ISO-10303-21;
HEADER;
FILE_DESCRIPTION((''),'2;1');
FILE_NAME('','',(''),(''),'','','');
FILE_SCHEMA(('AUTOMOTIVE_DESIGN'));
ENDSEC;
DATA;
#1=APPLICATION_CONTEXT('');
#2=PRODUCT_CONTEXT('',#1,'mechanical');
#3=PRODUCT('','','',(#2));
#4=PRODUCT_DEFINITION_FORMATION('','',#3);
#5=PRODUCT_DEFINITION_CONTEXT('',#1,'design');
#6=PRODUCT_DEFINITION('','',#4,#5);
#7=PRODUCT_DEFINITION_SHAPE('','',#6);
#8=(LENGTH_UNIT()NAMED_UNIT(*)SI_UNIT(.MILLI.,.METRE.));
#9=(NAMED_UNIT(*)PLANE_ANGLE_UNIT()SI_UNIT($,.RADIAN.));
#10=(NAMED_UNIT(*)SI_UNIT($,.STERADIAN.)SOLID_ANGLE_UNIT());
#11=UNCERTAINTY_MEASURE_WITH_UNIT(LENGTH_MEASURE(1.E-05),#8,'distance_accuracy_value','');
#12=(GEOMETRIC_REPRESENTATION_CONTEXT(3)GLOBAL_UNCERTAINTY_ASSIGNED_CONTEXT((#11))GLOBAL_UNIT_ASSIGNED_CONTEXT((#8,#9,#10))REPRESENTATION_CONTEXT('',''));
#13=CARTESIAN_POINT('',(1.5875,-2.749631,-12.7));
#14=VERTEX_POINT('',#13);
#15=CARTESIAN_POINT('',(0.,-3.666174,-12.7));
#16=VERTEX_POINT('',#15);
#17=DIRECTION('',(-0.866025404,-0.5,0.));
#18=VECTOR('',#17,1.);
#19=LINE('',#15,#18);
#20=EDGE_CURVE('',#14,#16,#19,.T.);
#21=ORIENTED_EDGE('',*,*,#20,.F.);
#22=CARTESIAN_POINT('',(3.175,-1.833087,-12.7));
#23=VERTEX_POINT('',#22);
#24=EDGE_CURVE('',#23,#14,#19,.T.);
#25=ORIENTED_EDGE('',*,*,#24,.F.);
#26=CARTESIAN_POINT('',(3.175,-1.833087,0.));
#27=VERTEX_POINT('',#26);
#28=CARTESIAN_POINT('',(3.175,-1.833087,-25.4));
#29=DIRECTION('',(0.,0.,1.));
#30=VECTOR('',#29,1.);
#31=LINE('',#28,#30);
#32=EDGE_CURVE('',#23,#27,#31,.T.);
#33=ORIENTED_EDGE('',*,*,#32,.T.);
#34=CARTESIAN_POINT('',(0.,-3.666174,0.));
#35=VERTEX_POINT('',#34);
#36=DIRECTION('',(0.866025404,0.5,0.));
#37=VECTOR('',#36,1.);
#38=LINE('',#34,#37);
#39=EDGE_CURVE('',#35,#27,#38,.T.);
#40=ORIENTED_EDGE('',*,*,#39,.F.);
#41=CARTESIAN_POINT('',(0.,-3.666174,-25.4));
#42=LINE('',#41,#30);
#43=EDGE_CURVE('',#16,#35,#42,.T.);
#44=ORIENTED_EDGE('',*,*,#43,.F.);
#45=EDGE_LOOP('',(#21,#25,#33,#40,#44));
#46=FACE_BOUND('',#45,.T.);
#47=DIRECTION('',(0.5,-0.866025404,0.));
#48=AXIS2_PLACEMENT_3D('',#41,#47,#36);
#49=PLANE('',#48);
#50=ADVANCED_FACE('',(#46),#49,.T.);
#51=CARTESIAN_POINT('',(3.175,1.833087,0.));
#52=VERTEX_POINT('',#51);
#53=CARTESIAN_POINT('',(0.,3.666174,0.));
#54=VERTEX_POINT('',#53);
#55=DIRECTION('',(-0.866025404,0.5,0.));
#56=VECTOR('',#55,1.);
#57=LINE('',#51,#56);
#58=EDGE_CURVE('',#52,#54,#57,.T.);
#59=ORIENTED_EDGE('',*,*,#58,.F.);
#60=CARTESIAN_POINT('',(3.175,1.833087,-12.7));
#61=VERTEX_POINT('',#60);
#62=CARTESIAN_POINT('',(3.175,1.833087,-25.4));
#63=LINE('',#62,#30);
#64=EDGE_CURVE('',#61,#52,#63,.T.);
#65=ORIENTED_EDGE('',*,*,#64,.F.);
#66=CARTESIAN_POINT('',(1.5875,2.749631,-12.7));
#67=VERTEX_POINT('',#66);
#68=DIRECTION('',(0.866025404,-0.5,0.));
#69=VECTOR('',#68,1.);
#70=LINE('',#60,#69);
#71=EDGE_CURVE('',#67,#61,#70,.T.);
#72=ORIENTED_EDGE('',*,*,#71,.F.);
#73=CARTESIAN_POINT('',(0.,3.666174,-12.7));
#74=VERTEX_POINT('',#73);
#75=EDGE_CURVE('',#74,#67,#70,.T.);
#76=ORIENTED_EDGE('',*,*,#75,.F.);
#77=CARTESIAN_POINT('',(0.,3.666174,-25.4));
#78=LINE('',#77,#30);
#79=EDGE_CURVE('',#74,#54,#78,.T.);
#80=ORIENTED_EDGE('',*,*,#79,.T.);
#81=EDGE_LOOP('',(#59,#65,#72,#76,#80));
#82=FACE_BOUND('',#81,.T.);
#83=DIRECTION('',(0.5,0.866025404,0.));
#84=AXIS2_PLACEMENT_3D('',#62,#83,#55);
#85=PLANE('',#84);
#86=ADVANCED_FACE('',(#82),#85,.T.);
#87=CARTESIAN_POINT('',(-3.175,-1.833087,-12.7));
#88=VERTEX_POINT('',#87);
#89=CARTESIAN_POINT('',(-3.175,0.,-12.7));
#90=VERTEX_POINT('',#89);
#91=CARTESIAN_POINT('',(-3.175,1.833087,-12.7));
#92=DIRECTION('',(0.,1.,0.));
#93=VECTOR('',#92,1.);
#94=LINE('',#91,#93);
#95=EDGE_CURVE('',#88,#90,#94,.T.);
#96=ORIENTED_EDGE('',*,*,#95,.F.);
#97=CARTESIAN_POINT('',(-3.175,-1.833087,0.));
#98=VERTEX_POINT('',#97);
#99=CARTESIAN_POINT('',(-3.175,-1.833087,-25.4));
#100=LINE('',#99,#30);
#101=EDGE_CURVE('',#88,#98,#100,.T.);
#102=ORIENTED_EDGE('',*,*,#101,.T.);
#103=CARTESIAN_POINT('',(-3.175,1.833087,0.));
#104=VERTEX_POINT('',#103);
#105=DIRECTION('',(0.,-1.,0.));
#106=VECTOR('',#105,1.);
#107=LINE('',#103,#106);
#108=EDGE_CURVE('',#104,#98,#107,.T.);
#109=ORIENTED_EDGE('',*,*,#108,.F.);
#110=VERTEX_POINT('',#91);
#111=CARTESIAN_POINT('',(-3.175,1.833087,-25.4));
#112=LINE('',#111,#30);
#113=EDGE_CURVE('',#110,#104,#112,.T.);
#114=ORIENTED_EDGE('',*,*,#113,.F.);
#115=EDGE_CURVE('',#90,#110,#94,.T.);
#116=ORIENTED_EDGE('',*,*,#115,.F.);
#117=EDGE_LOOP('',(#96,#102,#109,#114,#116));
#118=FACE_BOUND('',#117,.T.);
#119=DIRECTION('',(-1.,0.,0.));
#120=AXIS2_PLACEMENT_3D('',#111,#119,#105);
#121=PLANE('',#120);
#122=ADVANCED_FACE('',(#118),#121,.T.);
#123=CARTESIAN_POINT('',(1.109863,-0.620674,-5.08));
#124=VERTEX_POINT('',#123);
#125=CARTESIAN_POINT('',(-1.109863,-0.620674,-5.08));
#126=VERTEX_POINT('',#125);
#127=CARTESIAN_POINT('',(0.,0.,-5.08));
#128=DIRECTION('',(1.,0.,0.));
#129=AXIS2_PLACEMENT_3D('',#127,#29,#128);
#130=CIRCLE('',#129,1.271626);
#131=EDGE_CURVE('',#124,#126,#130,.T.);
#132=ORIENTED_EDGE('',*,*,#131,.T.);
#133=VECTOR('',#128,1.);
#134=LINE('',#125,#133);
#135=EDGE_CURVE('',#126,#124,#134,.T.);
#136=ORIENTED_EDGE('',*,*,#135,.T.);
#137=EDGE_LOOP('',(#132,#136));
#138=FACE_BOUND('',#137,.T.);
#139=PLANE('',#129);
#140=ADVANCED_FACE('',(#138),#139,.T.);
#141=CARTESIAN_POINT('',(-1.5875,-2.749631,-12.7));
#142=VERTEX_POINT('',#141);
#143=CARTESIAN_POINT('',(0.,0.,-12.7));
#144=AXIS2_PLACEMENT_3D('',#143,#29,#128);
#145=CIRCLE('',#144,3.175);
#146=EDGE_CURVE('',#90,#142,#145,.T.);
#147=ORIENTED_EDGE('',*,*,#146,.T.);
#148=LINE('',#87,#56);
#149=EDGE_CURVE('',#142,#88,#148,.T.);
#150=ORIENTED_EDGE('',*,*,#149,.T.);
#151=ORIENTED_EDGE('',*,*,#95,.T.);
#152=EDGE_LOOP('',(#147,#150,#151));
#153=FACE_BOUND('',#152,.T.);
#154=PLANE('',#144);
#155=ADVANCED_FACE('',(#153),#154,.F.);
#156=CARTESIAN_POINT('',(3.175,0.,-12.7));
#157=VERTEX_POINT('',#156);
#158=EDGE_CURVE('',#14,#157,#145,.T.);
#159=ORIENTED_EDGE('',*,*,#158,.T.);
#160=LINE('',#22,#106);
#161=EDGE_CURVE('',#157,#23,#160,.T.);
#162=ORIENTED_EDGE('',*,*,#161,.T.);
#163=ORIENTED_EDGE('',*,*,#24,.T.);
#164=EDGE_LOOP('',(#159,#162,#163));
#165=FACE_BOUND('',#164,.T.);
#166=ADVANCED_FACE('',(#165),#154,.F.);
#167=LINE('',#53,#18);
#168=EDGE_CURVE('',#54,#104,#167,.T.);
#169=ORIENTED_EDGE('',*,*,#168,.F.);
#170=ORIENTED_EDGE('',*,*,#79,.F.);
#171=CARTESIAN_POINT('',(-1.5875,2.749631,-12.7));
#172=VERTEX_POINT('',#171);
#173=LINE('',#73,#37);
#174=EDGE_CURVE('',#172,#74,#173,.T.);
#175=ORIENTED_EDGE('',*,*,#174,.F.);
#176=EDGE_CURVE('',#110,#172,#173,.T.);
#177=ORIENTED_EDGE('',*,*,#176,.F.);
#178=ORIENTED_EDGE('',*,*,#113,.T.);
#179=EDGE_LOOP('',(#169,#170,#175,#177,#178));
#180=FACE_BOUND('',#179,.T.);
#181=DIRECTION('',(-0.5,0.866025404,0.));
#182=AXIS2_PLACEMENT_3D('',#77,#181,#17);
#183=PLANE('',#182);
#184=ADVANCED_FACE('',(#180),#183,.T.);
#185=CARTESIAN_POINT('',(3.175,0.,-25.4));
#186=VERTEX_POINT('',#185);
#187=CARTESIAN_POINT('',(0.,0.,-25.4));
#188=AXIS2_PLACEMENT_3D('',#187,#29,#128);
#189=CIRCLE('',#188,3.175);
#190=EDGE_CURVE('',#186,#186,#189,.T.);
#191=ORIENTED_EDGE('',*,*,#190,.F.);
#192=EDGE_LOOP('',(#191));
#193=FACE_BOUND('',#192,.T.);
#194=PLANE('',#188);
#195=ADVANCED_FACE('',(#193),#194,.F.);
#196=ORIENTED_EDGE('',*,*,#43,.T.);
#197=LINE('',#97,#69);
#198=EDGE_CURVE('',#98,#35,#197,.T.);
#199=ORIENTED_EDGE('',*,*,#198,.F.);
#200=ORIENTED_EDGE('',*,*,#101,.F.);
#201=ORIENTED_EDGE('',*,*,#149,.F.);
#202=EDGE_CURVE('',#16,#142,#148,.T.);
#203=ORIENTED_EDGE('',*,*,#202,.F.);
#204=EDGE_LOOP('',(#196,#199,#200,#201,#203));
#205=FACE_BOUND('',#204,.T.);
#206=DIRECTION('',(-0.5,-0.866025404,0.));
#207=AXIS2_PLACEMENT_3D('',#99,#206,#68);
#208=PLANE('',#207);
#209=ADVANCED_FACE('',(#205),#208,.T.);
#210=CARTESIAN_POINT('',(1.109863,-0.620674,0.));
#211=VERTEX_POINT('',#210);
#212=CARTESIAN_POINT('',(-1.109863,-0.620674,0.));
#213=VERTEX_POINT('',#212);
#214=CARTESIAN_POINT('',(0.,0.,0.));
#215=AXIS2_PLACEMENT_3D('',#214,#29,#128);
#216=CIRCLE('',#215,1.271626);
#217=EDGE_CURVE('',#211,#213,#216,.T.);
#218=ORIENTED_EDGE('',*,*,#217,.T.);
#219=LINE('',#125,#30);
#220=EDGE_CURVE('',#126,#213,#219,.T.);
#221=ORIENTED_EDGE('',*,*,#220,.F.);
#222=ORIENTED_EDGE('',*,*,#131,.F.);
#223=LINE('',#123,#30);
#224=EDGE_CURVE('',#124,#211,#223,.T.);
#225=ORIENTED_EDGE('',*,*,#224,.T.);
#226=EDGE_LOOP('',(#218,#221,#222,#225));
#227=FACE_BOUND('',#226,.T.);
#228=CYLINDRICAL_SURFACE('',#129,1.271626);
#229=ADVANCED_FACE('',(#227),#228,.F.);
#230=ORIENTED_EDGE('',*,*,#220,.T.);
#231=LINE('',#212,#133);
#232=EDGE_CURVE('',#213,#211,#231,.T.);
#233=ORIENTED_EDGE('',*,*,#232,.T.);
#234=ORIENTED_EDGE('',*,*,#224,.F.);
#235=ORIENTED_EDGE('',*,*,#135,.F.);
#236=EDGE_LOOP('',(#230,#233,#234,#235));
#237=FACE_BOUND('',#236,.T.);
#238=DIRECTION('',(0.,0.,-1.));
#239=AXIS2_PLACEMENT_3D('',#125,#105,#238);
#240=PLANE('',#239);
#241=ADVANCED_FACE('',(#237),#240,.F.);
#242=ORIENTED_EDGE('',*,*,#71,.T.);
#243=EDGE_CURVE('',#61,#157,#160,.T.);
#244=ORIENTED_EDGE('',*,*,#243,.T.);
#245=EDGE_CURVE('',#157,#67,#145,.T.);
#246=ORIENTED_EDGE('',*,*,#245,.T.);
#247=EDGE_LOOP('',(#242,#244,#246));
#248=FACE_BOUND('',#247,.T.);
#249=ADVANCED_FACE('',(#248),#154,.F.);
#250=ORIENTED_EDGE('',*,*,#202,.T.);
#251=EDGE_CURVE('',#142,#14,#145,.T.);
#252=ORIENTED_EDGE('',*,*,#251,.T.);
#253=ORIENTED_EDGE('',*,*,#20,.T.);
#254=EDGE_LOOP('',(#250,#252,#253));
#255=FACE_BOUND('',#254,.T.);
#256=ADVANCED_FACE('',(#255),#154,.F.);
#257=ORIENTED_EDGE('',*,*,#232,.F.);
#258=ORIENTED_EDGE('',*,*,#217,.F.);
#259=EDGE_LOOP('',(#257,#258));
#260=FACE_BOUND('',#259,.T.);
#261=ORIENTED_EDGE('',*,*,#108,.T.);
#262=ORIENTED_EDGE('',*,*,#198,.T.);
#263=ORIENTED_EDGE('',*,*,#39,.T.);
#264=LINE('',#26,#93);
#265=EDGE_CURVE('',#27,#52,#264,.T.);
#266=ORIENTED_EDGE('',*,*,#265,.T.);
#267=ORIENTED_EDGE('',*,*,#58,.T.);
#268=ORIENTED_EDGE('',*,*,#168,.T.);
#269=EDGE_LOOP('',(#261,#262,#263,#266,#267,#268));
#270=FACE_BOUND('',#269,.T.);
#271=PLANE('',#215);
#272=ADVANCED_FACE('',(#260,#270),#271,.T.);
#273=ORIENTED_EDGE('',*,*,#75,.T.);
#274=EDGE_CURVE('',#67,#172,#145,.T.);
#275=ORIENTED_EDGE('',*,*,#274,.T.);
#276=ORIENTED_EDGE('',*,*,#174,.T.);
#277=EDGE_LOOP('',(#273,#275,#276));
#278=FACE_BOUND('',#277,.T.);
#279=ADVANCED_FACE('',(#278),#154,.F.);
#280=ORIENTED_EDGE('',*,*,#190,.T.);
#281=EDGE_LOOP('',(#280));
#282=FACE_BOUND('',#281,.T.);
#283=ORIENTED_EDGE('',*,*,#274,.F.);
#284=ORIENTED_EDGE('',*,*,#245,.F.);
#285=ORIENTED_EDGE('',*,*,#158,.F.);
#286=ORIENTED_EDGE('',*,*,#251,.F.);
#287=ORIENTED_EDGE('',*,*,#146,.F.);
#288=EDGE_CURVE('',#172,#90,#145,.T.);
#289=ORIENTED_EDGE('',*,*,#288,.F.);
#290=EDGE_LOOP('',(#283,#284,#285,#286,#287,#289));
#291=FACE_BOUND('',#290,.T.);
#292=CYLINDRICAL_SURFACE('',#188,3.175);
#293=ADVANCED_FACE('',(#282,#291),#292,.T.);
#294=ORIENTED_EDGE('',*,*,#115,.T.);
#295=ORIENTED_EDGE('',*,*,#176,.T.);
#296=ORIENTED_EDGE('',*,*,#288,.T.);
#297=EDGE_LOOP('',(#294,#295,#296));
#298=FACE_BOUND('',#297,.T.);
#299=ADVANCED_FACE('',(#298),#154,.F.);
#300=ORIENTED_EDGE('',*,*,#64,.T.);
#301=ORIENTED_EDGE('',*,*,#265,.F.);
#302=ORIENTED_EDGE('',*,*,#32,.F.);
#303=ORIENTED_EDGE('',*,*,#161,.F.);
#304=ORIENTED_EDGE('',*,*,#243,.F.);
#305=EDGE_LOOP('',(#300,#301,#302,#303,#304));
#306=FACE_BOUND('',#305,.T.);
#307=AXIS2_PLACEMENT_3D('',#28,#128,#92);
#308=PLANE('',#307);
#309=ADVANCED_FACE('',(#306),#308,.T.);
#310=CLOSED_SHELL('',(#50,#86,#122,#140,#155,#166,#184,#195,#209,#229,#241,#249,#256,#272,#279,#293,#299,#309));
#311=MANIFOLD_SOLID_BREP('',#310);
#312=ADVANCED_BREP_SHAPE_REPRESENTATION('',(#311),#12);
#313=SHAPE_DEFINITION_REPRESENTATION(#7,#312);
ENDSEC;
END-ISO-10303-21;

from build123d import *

# Parameters (mm, degrees)
BOSS_EXTRUDE1_DEPTH = 25.4
CUT_EXTRUDE1_DEPTH  = 5.08
SKETCH3_OUTSIDE_W   = 13.788
SKETCH3_OUTSIDE_H   = 14.77
SKETCH3_OUTSIDE_R   = 3.175
CUT_EXTRUDE2_DEPTH  = 13.7


with BuildPart() as part:
    # Sketch1 → Boss-Extrude1 (new body)
    with BuildSketch(Plane.XY):
        Polygon((0, 3.666174209), (-3.175, 1.833087105), (-3.175, -1.833087105), (0, -3.666174209), (3.175, -1.833087105), (3.175, 1.833087105), align=None)
    extrude(amount=-BOSS_EXTRUDE1_DEPTH)

    # Sketch2 → Cut-Extrude1 (cut)
    with BuildSketch(Plane.XY):
        with BuildLine():
            Line((-1.109862584, -0.6206744), (1.109862584, -0.6206744))
            ThreePointArc((1.109862584, -0.6206744), (0, 1.2716256), (-1.109862584, -0.6206744))
        make_face()
    extrude(amount=-CUT_EXTRUDE1_DEPTH, mode=Mode.SUBTRACT)

    # Sketch3 outside → Cut-Extrude2 (cut, through all)
    with BuildSketch(Plane.XY.offset(-12.7)):
        Rectangle(SKETCH3_OUTSIDE_W, SKETCH3_OUTSIDE_H)
        Circle(SKETCH3_OUTSIDE_R, mode=Mode.SUBTRACT)
    extrude(amount=-CUT_EXTRUDE2_DEPTH, mode=Mode.SUBTRACT)


solid = part.part
